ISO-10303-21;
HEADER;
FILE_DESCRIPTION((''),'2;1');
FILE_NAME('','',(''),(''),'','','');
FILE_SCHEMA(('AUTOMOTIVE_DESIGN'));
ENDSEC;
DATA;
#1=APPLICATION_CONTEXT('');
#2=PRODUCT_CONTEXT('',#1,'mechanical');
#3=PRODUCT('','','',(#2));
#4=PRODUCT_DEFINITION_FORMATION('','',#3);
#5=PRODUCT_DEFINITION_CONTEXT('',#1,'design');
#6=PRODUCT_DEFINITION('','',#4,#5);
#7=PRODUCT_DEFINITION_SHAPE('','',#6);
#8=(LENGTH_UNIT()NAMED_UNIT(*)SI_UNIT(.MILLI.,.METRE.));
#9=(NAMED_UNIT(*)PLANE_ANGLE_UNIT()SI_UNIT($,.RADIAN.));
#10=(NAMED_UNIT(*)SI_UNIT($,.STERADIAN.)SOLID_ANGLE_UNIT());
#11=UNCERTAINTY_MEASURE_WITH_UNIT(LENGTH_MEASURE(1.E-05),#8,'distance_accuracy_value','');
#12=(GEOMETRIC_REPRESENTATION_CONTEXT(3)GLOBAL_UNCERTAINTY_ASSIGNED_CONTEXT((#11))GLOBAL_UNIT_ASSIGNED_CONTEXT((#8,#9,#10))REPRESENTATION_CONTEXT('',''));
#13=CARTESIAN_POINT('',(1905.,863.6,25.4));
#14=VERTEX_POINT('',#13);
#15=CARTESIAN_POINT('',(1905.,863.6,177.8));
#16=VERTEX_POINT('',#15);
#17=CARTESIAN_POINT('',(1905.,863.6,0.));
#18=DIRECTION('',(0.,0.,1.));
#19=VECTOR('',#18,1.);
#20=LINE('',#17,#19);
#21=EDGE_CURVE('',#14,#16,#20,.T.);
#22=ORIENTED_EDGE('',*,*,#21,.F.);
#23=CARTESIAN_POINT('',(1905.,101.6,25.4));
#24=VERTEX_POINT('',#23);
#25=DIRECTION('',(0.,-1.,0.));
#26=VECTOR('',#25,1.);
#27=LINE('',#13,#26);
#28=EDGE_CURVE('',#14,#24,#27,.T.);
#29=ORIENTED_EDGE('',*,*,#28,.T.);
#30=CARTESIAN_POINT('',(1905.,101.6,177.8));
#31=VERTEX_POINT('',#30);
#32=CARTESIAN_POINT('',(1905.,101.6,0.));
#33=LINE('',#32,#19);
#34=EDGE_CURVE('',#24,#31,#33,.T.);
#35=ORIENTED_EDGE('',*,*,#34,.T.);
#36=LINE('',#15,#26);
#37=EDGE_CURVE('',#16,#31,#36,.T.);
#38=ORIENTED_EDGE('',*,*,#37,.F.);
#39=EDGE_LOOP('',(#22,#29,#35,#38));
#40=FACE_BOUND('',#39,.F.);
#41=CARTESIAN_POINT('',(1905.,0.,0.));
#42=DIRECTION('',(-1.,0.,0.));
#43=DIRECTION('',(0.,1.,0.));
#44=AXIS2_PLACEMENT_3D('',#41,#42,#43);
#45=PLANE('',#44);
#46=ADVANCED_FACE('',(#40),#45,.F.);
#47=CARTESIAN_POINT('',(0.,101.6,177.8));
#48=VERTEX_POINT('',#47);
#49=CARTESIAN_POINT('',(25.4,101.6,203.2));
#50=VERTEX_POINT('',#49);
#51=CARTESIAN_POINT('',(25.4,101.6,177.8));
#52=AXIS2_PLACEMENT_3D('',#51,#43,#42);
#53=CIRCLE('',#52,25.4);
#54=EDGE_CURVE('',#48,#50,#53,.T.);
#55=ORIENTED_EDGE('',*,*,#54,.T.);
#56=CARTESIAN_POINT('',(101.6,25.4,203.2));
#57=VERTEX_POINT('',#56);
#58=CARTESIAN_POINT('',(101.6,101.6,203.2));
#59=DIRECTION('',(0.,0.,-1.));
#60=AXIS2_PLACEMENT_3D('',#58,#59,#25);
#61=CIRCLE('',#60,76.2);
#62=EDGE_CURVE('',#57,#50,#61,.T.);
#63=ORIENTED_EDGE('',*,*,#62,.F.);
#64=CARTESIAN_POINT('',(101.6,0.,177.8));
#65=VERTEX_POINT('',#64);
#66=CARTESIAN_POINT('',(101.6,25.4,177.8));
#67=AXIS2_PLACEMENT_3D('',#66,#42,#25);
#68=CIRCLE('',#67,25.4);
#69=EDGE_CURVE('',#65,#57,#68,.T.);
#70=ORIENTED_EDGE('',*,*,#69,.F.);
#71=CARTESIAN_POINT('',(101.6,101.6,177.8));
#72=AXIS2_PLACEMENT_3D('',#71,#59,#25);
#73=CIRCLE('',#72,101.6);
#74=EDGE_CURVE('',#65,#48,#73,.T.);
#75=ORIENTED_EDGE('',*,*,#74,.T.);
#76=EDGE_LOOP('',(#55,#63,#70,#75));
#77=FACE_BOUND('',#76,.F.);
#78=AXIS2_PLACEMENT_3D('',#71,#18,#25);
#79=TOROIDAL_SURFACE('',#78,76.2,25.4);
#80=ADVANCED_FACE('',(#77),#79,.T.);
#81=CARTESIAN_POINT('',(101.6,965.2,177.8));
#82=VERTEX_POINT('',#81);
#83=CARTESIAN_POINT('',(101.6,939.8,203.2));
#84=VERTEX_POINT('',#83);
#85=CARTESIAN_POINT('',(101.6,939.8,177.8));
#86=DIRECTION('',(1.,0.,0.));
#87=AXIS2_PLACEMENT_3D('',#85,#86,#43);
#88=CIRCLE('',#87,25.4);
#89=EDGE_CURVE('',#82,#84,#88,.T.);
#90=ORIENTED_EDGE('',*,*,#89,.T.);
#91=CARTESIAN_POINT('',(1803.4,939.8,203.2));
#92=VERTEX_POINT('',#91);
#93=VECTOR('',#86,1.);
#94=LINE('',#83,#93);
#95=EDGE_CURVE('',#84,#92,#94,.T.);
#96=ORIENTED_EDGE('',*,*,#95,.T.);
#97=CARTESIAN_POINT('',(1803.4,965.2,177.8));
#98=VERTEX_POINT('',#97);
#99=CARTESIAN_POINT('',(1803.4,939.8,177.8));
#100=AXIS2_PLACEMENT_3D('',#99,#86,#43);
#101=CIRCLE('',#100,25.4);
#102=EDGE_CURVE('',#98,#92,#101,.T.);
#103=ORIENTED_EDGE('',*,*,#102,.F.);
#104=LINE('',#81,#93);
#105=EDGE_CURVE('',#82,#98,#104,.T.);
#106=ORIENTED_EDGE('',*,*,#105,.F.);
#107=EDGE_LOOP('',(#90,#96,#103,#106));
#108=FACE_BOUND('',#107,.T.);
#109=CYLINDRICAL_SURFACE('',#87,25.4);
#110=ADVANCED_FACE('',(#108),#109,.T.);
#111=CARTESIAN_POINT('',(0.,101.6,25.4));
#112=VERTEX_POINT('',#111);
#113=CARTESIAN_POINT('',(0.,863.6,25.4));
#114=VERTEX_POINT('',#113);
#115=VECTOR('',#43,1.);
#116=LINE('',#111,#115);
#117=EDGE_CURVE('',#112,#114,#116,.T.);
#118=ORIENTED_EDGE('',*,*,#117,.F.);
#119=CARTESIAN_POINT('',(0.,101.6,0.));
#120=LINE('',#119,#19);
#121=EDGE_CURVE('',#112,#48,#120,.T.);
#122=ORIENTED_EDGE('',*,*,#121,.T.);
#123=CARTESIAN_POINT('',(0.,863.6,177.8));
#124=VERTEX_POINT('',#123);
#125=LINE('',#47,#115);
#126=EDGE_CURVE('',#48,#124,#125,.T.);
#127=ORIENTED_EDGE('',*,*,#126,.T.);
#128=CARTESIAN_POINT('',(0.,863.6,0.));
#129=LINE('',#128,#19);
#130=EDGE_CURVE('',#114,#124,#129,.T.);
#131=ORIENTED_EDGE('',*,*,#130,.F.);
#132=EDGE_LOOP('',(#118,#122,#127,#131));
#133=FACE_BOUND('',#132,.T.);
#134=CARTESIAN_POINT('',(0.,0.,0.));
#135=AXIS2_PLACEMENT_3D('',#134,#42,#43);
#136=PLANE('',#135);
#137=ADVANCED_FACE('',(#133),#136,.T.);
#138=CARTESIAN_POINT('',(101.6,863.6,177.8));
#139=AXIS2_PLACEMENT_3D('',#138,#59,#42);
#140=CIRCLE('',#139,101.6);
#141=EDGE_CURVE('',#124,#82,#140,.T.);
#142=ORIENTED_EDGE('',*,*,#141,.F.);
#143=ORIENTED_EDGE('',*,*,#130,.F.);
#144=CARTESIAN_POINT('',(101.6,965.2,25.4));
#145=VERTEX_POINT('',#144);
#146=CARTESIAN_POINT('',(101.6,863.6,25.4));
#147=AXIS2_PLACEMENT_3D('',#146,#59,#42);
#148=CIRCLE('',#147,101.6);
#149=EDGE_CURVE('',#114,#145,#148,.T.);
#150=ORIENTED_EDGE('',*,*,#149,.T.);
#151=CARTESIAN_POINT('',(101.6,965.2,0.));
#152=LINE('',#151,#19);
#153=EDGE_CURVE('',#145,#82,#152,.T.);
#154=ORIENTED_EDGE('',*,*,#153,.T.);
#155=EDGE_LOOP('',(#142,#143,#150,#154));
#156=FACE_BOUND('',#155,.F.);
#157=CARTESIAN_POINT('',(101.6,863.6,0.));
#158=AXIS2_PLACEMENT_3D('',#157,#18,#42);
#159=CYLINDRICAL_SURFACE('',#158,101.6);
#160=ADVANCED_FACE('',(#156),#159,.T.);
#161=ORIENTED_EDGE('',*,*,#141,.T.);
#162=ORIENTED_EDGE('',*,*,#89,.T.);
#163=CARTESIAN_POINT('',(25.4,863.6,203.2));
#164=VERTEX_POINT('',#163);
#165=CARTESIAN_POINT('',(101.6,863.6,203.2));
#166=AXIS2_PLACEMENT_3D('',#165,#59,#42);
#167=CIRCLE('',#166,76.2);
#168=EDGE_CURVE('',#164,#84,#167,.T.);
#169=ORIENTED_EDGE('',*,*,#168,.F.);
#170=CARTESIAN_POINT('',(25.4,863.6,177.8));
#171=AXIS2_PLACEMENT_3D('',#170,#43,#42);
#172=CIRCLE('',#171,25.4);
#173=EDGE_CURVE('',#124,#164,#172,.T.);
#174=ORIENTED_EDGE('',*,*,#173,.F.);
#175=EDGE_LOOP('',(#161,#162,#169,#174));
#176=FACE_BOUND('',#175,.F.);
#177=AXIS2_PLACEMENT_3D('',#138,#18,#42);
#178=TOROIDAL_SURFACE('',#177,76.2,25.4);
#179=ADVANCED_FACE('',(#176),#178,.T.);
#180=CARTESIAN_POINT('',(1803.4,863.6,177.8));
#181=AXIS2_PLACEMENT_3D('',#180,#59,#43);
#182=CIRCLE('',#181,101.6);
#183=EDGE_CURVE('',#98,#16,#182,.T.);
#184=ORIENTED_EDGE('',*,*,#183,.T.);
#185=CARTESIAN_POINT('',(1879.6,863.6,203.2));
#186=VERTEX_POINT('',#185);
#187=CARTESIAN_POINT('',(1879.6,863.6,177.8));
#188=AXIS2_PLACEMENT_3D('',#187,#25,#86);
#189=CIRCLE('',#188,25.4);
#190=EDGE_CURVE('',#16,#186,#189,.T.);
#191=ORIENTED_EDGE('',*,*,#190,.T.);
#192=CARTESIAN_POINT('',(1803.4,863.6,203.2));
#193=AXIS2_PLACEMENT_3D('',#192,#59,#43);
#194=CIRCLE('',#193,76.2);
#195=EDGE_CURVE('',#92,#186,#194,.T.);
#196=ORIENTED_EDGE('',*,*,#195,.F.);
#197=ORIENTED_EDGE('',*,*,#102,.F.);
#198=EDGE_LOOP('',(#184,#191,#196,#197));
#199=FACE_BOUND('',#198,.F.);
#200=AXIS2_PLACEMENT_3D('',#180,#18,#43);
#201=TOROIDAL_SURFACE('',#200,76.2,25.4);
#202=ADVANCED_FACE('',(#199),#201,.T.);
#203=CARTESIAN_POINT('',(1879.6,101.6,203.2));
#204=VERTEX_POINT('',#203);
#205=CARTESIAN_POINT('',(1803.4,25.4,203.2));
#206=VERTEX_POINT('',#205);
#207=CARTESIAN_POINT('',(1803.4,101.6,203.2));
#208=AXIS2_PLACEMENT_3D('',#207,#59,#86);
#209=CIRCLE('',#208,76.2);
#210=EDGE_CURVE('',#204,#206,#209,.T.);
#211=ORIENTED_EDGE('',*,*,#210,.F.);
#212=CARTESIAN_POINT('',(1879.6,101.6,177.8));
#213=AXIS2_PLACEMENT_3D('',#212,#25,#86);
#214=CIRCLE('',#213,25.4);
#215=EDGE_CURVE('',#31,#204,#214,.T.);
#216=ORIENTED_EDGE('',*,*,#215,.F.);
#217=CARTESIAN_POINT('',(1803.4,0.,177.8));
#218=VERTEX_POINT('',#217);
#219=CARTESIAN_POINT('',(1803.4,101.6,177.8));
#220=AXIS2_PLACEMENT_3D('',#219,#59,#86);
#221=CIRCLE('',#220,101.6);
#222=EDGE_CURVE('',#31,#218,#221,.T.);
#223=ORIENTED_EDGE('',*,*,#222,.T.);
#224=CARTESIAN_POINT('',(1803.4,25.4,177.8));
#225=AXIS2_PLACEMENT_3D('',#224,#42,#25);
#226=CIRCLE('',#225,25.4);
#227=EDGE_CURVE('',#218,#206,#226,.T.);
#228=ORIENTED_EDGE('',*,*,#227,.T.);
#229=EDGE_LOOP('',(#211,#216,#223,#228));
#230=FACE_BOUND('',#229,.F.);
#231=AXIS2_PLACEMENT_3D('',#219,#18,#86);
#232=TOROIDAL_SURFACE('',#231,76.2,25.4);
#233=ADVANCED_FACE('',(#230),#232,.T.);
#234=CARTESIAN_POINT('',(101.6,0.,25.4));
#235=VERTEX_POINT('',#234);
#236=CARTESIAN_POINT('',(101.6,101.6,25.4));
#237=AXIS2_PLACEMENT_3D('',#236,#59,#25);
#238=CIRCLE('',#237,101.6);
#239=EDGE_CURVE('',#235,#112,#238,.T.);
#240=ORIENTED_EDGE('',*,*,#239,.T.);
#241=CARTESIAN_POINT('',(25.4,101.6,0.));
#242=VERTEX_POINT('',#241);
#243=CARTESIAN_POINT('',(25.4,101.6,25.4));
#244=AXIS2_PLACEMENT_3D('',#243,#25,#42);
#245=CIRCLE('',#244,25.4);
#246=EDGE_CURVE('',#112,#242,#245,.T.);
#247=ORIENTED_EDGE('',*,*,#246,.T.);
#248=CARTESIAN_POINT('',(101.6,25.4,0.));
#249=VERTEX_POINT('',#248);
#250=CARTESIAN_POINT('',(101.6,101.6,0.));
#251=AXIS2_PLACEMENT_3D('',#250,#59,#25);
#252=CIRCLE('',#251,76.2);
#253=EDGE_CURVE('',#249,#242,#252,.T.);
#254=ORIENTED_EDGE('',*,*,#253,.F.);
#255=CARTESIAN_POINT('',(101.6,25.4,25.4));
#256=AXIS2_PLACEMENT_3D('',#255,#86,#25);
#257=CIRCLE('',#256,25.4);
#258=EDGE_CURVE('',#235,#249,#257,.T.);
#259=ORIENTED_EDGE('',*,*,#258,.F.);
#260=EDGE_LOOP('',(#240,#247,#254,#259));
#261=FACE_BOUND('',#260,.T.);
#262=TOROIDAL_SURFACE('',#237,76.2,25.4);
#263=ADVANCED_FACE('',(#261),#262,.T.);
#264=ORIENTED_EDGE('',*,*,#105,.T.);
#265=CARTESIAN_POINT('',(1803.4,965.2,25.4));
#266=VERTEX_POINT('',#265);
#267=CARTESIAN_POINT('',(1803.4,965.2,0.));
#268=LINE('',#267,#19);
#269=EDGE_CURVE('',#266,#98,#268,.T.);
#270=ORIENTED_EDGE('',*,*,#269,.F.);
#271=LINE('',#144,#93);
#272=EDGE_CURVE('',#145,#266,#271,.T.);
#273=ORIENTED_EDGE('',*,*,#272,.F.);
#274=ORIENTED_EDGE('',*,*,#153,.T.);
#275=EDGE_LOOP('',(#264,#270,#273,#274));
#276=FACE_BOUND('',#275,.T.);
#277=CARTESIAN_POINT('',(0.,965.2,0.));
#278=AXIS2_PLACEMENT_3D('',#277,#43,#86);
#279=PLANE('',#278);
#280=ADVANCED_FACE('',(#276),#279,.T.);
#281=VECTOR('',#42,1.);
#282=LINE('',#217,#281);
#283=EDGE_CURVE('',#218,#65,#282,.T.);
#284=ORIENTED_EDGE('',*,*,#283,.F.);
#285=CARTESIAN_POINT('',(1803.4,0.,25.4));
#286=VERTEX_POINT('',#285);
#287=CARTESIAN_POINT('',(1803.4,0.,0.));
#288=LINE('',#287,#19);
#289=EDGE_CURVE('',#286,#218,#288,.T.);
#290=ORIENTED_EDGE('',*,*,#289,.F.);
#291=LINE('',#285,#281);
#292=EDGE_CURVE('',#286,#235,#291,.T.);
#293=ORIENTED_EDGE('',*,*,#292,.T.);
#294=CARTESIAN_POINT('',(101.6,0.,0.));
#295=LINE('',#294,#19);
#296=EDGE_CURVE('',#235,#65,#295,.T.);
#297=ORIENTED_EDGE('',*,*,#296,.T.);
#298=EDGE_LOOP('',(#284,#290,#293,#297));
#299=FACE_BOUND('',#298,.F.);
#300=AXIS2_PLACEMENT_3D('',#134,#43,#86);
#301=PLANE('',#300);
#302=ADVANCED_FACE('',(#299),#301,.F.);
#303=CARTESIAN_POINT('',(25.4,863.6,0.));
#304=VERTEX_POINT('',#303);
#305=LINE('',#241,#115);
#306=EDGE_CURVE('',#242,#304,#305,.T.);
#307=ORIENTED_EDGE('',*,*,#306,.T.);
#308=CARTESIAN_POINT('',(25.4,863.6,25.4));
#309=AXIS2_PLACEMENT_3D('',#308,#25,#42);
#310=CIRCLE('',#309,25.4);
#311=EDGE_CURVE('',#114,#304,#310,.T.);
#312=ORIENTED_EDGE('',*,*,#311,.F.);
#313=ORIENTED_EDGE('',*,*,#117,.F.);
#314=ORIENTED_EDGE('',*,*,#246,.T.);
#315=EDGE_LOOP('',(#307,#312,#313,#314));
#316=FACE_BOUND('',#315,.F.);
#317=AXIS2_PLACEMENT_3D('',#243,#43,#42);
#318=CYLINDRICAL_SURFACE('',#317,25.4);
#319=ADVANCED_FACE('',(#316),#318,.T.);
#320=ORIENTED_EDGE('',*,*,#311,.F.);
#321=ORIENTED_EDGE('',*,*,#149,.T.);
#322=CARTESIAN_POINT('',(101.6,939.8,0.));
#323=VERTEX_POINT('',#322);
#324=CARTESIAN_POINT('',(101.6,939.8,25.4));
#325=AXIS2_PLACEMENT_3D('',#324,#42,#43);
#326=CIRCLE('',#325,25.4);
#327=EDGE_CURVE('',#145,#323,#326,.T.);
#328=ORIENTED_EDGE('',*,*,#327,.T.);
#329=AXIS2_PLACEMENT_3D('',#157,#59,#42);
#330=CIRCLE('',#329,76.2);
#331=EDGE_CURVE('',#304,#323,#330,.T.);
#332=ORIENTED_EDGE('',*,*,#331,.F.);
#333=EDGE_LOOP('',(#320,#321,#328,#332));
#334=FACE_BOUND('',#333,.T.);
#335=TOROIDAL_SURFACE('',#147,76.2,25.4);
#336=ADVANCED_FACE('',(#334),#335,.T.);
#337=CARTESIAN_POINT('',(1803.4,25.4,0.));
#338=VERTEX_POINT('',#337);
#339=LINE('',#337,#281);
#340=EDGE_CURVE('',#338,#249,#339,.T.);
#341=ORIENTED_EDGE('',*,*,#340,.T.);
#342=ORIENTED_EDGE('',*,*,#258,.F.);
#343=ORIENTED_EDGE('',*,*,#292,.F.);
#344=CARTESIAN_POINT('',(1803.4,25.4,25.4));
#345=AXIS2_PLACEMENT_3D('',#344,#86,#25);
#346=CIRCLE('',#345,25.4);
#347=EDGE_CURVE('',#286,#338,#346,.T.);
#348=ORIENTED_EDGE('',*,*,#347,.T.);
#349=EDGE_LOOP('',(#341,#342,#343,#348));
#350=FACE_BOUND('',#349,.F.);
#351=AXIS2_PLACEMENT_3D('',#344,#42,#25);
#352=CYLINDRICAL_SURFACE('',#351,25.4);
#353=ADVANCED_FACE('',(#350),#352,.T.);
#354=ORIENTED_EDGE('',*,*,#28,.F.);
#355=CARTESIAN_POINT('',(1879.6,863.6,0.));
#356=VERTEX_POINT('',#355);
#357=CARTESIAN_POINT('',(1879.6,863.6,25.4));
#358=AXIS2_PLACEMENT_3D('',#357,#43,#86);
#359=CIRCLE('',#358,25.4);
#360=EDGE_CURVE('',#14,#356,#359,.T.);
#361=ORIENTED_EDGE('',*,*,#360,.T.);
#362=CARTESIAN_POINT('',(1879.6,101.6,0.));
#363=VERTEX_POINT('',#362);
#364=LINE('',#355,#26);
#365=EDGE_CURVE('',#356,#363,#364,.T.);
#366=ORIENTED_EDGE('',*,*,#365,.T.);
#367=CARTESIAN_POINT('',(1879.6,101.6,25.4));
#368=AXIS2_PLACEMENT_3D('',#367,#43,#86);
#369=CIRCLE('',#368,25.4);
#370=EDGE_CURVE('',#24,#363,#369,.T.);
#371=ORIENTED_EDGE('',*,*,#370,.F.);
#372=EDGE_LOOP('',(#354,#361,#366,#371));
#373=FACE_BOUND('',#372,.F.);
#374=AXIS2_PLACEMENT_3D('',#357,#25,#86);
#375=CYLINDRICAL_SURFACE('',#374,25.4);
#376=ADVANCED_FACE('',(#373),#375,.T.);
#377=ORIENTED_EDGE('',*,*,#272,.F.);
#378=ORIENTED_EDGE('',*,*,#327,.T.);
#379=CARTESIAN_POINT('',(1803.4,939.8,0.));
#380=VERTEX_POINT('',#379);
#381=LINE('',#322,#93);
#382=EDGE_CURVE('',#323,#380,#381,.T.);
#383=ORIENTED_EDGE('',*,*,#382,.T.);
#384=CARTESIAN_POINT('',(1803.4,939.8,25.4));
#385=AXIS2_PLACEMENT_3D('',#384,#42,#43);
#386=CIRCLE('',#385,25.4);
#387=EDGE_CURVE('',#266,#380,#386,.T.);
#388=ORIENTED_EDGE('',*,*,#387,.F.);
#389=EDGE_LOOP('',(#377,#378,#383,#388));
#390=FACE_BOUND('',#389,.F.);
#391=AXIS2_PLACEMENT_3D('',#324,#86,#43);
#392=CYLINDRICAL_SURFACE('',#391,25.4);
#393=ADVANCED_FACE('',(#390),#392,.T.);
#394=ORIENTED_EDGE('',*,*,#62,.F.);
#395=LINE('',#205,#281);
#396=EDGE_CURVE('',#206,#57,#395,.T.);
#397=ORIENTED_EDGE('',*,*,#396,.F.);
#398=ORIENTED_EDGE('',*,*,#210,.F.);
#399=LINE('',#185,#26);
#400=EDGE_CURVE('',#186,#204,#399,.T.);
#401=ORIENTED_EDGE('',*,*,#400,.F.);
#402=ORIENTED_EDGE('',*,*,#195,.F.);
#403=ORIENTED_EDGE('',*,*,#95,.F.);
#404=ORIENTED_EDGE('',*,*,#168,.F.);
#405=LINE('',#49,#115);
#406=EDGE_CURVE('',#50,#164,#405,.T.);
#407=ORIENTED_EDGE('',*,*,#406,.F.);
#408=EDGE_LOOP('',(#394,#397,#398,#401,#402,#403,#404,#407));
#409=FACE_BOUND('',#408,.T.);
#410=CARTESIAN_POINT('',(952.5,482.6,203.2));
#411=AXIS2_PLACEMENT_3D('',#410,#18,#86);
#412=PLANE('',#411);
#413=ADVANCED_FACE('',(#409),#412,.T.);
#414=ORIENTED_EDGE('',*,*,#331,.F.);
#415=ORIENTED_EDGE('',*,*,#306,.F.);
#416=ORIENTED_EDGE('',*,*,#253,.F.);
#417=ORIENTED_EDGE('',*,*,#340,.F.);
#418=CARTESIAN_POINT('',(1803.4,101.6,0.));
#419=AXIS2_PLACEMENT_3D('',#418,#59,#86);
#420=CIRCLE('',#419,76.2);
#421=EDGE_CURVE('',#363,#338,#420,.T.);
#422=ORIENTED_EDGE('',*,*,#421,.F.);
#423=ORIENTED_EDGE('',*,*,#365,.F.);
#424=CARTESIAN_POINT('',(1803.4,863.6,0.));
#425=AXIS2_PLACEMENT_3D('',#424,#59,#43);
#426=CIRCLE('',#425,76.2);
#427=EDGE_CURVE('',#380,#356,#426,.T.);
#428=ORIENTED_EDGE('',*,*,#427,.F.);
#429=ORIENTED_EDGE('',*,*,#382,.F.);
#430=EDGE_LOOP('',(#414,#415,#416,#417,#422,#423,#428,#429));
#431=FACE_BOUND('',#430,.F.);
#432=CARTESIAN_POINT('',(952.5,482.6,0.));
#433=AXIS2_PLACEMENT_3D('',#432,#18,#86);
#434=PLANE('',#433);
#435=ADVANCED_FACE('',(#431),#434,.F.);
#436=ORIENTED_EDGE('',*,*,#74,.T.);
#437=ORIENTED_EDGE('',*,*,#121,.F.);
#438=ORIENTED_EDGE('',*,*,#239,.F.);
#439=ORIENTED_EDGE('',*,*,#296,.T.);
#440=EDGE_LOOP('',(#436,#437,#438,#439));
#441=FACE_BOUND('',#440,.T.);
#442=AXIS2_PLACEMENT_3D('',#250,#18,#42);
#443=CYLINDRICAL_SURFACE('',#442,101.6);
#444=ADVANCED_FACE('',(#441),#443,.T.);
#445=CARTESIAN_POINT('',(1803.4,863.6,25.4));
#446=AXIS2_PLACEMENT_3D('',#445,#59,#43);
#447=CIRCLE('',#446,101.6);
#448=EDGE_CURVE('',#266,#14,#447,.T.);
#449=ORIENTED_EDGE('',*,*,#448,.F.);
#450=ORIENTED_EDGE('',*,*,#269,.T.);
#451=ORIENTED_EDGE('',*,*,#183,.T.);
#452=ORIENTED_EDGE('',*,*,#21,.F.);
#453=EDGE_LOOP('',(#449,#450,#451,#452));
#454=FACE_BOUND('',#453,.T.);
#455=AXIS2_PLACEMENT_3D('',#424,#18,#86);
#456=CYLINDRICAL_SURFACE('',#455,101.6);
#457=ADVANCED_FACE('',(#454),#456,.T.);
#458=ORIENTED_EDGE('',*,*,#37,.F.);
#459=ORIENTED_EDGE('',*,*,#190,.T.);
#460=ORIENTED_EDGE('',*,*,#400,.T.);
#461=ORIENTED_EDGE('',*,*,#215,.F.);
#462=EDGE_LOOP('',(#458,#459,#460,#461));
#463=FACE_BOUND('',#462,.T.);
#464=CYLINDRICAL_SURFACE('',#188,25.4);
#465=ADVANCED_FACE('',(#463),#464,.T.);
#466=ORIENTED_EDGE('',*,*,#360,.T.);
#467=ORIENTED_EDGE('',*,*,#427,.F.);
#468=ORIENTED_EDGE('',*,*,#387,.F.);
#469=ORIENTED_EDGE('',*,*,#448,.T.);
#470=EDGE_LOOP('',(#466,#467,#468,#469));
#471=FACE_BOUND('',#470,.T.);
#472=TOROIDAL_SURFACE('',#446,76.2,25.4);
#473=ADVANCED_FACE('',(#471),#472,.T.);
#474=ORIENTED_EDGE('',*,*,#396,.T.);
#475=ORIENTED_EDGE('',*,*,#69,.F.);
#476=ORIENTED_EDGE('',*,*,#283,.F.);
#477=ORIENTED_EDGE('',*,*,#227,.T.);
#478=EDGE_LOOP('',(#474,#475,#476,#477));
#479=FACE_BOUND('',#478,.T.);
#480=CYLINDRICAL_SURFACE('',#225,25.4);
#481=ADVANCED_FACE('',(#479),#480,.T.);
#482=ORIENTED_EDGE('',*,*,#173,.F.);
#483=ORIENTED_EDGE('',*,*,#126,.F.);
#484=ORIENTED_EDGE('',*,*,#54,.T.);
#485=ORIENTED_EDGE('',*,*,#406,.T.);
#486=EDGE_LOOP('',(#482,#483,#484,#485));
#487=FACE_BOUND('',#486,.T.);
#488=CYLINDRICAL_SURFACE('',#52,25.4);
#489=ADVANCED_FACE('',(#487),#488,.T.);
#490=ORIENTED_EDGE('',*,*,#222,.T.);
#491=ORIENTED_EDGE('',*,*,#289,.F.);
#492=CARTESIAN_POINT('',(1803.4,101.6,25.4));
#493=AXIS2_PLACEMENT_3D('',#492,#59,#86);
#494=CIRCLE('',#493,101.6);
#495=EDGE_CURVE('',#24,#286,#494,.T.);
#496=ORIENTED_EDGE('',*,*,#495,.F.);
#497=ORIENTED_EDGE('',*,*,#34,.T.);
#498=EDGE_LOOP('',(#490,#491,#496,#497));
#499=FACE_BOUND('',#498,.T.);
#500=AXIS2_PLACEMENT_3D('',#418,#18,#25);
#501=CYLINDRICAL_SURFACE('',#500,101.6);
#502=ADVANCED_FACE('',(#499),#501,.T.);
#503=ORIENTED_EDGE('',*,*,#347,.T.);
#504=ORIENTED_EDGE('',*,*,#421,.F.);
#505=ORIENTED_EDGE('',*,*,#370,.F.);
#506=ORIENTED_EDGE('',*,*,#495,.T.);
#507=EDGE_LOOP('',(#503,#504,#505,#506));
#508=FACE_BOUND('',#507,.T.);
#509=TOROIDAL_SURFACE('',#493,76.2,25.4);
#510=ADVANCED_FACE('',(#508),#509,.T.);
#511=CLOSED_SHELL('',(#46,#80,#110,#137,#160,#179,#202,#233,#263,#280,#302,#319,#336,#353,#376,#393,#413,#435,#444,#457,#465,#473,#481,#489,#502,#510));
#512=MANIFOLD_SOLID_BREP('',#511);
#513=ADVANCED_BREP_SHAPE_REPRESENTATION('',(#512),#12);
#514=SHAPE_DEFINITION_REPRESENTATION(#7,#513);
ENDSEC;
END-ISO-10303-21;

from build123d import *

# Parameters (mm, degrees)
F0_W     = 1905
F0_H     = 965.2
F1_DEPTH = 203.2
F2_R     = 101.6
F3_R     = 25.4
F4_R     = 25.4


with BuildPart() as f1:
    # F0 (on Top) → F1 (new body)
    with BuildSketch(Plane.XY):
        with Locations((952.5, 482.6)):
            Rectangle(F0_W, F0_H)
    extrude(amount=F1_DEPTH)

    # F2
    f2_edges = [f1.edges().sort_by_distance(p)[0] for p in [
        (0, 0, 101.6),
        (0, 965.2, 101.6),
        (1905, 0, 101.6),
        (1905, 965.2, 101.6),
    ]]
    fillet(f2_edges, radius=F2_R)

    # F3
    f3_edges = [f1.edges().sort_by_distance(p)[0] for p in [
        (0, 482.6, 203.2),
        (29.757951, 935.442049, 203.2),
        (29.757951, 29.757951, 203.2),
        (952.5, 965.2, 203.2),
        (952.5, 0, 203.2),
        (1875.242049, 935.442049, 203.2),
        (1875.242049, 29.757951, 203.2),
        (1905, 482.6, 203.2),
    ]]
    fillet(f3_edges, radius=F3_R)

    # F4
    f4_edges = [f1.edges().sort_by_distance(p)[0] for p in [
        (0, 482.6, 0),
        (29.757951, 935.442049, 0),
        (29.757951, 29.757951, 0),
        (952.5, 965.2, 0),
        (952.5, 0, 0),
        (1875.242049, 935.442049, 0),
        (1875.242049, 29.757951, 0),
        (1905, 482.6, 0),
    ]]
    fillet(f4_edges, radius=F4_R)


solid = f1.part
